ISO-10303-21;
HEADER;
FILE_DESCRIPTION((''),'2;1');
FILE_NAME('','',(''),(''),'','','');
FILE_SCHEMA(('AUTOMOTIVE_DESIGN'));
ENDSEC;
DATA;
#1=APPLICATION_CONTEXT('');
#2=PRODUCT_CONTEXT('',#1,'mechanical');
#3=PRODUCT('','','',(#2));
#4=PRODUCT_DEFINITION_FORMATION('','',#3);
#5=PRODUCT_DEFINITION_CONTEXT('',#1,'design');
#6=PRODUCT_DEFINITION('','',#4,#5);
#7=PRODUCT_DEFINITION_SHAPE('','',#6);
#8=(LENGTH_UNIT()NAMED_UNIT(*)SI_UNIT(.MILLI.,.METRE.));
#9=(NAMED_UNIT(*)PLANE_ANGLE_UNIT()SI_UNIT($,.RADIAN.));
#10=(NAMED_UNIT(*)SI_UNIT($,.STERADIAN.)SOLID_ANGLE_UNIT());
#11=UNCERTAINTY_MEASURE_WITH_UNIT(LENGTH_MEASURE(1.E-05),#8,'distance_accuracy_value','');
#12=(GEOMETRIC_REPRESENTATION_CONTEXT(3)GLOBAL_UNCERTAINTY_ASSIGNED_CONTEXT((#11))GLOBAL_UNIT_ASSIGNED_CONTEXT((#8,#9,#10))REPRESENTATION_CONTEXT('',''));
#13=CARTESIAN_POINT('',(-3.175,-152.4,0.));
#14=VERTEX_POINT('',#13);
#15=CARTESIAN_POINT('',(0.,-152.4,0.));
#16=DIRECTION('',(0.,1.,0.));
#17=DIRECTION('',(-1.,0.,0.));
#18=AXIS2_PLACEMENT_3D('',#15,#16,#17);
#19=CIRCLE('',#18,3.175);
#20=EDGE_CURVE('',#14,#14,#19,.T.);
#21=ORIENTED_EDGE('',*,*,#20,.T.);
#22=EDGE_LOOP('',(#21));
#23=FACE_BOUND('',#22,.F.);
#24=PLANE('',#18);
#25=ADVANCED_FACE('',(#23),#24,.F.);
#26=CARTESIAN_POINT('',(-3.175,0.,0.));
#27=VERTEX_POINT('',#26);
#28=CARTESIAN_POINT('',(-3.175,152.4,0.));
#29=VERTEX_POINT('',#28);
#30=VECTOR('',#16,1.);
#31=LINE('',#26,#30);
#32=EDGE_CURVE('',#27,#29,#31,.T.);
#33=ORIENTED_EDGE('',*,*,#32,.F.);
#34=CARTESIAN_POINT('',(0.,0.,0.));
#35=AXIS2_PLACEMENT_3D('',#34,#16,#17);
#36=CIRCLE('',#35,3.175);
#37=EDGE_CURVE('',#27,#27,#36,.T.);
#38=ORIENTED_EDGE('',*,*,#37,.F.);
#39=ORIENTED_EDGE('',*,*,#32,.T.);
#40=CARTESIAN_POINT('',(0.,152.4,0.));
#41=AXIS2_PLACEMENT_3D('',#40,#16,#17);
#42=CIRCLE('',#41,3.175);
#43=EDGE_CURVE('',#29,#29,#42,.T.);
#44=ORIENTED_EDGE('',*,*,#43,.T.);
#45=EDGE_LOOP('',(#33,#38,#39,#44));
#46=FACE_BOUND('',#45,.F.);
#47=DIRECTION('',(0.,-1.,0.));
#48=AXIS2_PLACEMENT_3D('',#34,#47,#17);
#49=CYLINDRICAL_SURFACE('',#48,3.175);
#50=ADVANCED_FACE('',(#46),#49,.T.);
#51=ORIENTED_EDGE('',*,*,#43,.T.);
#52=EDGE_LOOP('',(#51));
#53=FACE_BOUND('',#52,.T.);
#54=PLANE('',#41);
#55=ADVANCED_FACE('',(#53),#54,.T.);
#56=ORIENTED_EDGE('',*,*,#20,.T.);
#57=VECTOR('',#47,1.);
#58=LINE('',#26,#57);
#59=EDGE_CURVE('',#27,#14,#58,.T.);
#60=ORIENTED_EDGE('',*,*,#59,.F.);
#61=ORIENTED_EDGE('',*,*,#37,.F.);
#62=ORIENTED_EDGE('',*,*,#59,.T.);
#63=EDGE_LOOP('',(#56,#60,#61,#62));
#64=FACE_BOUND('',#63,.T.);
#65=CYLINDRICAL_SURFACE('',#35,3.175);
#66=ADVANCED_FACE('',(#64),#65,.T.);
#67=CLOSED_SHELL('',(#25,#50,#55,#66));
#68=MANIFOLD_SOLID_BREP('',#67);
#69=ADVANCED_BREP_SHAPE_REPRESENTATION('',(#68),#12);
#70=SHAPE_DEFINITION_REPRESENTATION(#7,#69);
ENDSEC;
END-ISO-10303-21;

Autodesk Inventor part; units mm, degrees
ref_plane "YZ Plane" through (0, 0, 0) normal (1, 0, 0) x (0, 1, 0)
ref_plane "XZ Plane" through (0, 0, 0) normal (0, 1, 0) x (-1, 0, 0)
ref_plane "XY Plane" through (0, 0, 0) normal (0, 0, 1) x (1, 0, 0)
sketch "Sketch1" plane through (0, 0, 0) normal (0, 1, 0) x (-1, 0, 0)
  circle A0 centre (0, 0) radius 3.175
  dimension "d2" = 6.35
extrude "Extrusion1" add sketch "Sketch1" along normal mid plane 304.8
properties part number "Rod"
